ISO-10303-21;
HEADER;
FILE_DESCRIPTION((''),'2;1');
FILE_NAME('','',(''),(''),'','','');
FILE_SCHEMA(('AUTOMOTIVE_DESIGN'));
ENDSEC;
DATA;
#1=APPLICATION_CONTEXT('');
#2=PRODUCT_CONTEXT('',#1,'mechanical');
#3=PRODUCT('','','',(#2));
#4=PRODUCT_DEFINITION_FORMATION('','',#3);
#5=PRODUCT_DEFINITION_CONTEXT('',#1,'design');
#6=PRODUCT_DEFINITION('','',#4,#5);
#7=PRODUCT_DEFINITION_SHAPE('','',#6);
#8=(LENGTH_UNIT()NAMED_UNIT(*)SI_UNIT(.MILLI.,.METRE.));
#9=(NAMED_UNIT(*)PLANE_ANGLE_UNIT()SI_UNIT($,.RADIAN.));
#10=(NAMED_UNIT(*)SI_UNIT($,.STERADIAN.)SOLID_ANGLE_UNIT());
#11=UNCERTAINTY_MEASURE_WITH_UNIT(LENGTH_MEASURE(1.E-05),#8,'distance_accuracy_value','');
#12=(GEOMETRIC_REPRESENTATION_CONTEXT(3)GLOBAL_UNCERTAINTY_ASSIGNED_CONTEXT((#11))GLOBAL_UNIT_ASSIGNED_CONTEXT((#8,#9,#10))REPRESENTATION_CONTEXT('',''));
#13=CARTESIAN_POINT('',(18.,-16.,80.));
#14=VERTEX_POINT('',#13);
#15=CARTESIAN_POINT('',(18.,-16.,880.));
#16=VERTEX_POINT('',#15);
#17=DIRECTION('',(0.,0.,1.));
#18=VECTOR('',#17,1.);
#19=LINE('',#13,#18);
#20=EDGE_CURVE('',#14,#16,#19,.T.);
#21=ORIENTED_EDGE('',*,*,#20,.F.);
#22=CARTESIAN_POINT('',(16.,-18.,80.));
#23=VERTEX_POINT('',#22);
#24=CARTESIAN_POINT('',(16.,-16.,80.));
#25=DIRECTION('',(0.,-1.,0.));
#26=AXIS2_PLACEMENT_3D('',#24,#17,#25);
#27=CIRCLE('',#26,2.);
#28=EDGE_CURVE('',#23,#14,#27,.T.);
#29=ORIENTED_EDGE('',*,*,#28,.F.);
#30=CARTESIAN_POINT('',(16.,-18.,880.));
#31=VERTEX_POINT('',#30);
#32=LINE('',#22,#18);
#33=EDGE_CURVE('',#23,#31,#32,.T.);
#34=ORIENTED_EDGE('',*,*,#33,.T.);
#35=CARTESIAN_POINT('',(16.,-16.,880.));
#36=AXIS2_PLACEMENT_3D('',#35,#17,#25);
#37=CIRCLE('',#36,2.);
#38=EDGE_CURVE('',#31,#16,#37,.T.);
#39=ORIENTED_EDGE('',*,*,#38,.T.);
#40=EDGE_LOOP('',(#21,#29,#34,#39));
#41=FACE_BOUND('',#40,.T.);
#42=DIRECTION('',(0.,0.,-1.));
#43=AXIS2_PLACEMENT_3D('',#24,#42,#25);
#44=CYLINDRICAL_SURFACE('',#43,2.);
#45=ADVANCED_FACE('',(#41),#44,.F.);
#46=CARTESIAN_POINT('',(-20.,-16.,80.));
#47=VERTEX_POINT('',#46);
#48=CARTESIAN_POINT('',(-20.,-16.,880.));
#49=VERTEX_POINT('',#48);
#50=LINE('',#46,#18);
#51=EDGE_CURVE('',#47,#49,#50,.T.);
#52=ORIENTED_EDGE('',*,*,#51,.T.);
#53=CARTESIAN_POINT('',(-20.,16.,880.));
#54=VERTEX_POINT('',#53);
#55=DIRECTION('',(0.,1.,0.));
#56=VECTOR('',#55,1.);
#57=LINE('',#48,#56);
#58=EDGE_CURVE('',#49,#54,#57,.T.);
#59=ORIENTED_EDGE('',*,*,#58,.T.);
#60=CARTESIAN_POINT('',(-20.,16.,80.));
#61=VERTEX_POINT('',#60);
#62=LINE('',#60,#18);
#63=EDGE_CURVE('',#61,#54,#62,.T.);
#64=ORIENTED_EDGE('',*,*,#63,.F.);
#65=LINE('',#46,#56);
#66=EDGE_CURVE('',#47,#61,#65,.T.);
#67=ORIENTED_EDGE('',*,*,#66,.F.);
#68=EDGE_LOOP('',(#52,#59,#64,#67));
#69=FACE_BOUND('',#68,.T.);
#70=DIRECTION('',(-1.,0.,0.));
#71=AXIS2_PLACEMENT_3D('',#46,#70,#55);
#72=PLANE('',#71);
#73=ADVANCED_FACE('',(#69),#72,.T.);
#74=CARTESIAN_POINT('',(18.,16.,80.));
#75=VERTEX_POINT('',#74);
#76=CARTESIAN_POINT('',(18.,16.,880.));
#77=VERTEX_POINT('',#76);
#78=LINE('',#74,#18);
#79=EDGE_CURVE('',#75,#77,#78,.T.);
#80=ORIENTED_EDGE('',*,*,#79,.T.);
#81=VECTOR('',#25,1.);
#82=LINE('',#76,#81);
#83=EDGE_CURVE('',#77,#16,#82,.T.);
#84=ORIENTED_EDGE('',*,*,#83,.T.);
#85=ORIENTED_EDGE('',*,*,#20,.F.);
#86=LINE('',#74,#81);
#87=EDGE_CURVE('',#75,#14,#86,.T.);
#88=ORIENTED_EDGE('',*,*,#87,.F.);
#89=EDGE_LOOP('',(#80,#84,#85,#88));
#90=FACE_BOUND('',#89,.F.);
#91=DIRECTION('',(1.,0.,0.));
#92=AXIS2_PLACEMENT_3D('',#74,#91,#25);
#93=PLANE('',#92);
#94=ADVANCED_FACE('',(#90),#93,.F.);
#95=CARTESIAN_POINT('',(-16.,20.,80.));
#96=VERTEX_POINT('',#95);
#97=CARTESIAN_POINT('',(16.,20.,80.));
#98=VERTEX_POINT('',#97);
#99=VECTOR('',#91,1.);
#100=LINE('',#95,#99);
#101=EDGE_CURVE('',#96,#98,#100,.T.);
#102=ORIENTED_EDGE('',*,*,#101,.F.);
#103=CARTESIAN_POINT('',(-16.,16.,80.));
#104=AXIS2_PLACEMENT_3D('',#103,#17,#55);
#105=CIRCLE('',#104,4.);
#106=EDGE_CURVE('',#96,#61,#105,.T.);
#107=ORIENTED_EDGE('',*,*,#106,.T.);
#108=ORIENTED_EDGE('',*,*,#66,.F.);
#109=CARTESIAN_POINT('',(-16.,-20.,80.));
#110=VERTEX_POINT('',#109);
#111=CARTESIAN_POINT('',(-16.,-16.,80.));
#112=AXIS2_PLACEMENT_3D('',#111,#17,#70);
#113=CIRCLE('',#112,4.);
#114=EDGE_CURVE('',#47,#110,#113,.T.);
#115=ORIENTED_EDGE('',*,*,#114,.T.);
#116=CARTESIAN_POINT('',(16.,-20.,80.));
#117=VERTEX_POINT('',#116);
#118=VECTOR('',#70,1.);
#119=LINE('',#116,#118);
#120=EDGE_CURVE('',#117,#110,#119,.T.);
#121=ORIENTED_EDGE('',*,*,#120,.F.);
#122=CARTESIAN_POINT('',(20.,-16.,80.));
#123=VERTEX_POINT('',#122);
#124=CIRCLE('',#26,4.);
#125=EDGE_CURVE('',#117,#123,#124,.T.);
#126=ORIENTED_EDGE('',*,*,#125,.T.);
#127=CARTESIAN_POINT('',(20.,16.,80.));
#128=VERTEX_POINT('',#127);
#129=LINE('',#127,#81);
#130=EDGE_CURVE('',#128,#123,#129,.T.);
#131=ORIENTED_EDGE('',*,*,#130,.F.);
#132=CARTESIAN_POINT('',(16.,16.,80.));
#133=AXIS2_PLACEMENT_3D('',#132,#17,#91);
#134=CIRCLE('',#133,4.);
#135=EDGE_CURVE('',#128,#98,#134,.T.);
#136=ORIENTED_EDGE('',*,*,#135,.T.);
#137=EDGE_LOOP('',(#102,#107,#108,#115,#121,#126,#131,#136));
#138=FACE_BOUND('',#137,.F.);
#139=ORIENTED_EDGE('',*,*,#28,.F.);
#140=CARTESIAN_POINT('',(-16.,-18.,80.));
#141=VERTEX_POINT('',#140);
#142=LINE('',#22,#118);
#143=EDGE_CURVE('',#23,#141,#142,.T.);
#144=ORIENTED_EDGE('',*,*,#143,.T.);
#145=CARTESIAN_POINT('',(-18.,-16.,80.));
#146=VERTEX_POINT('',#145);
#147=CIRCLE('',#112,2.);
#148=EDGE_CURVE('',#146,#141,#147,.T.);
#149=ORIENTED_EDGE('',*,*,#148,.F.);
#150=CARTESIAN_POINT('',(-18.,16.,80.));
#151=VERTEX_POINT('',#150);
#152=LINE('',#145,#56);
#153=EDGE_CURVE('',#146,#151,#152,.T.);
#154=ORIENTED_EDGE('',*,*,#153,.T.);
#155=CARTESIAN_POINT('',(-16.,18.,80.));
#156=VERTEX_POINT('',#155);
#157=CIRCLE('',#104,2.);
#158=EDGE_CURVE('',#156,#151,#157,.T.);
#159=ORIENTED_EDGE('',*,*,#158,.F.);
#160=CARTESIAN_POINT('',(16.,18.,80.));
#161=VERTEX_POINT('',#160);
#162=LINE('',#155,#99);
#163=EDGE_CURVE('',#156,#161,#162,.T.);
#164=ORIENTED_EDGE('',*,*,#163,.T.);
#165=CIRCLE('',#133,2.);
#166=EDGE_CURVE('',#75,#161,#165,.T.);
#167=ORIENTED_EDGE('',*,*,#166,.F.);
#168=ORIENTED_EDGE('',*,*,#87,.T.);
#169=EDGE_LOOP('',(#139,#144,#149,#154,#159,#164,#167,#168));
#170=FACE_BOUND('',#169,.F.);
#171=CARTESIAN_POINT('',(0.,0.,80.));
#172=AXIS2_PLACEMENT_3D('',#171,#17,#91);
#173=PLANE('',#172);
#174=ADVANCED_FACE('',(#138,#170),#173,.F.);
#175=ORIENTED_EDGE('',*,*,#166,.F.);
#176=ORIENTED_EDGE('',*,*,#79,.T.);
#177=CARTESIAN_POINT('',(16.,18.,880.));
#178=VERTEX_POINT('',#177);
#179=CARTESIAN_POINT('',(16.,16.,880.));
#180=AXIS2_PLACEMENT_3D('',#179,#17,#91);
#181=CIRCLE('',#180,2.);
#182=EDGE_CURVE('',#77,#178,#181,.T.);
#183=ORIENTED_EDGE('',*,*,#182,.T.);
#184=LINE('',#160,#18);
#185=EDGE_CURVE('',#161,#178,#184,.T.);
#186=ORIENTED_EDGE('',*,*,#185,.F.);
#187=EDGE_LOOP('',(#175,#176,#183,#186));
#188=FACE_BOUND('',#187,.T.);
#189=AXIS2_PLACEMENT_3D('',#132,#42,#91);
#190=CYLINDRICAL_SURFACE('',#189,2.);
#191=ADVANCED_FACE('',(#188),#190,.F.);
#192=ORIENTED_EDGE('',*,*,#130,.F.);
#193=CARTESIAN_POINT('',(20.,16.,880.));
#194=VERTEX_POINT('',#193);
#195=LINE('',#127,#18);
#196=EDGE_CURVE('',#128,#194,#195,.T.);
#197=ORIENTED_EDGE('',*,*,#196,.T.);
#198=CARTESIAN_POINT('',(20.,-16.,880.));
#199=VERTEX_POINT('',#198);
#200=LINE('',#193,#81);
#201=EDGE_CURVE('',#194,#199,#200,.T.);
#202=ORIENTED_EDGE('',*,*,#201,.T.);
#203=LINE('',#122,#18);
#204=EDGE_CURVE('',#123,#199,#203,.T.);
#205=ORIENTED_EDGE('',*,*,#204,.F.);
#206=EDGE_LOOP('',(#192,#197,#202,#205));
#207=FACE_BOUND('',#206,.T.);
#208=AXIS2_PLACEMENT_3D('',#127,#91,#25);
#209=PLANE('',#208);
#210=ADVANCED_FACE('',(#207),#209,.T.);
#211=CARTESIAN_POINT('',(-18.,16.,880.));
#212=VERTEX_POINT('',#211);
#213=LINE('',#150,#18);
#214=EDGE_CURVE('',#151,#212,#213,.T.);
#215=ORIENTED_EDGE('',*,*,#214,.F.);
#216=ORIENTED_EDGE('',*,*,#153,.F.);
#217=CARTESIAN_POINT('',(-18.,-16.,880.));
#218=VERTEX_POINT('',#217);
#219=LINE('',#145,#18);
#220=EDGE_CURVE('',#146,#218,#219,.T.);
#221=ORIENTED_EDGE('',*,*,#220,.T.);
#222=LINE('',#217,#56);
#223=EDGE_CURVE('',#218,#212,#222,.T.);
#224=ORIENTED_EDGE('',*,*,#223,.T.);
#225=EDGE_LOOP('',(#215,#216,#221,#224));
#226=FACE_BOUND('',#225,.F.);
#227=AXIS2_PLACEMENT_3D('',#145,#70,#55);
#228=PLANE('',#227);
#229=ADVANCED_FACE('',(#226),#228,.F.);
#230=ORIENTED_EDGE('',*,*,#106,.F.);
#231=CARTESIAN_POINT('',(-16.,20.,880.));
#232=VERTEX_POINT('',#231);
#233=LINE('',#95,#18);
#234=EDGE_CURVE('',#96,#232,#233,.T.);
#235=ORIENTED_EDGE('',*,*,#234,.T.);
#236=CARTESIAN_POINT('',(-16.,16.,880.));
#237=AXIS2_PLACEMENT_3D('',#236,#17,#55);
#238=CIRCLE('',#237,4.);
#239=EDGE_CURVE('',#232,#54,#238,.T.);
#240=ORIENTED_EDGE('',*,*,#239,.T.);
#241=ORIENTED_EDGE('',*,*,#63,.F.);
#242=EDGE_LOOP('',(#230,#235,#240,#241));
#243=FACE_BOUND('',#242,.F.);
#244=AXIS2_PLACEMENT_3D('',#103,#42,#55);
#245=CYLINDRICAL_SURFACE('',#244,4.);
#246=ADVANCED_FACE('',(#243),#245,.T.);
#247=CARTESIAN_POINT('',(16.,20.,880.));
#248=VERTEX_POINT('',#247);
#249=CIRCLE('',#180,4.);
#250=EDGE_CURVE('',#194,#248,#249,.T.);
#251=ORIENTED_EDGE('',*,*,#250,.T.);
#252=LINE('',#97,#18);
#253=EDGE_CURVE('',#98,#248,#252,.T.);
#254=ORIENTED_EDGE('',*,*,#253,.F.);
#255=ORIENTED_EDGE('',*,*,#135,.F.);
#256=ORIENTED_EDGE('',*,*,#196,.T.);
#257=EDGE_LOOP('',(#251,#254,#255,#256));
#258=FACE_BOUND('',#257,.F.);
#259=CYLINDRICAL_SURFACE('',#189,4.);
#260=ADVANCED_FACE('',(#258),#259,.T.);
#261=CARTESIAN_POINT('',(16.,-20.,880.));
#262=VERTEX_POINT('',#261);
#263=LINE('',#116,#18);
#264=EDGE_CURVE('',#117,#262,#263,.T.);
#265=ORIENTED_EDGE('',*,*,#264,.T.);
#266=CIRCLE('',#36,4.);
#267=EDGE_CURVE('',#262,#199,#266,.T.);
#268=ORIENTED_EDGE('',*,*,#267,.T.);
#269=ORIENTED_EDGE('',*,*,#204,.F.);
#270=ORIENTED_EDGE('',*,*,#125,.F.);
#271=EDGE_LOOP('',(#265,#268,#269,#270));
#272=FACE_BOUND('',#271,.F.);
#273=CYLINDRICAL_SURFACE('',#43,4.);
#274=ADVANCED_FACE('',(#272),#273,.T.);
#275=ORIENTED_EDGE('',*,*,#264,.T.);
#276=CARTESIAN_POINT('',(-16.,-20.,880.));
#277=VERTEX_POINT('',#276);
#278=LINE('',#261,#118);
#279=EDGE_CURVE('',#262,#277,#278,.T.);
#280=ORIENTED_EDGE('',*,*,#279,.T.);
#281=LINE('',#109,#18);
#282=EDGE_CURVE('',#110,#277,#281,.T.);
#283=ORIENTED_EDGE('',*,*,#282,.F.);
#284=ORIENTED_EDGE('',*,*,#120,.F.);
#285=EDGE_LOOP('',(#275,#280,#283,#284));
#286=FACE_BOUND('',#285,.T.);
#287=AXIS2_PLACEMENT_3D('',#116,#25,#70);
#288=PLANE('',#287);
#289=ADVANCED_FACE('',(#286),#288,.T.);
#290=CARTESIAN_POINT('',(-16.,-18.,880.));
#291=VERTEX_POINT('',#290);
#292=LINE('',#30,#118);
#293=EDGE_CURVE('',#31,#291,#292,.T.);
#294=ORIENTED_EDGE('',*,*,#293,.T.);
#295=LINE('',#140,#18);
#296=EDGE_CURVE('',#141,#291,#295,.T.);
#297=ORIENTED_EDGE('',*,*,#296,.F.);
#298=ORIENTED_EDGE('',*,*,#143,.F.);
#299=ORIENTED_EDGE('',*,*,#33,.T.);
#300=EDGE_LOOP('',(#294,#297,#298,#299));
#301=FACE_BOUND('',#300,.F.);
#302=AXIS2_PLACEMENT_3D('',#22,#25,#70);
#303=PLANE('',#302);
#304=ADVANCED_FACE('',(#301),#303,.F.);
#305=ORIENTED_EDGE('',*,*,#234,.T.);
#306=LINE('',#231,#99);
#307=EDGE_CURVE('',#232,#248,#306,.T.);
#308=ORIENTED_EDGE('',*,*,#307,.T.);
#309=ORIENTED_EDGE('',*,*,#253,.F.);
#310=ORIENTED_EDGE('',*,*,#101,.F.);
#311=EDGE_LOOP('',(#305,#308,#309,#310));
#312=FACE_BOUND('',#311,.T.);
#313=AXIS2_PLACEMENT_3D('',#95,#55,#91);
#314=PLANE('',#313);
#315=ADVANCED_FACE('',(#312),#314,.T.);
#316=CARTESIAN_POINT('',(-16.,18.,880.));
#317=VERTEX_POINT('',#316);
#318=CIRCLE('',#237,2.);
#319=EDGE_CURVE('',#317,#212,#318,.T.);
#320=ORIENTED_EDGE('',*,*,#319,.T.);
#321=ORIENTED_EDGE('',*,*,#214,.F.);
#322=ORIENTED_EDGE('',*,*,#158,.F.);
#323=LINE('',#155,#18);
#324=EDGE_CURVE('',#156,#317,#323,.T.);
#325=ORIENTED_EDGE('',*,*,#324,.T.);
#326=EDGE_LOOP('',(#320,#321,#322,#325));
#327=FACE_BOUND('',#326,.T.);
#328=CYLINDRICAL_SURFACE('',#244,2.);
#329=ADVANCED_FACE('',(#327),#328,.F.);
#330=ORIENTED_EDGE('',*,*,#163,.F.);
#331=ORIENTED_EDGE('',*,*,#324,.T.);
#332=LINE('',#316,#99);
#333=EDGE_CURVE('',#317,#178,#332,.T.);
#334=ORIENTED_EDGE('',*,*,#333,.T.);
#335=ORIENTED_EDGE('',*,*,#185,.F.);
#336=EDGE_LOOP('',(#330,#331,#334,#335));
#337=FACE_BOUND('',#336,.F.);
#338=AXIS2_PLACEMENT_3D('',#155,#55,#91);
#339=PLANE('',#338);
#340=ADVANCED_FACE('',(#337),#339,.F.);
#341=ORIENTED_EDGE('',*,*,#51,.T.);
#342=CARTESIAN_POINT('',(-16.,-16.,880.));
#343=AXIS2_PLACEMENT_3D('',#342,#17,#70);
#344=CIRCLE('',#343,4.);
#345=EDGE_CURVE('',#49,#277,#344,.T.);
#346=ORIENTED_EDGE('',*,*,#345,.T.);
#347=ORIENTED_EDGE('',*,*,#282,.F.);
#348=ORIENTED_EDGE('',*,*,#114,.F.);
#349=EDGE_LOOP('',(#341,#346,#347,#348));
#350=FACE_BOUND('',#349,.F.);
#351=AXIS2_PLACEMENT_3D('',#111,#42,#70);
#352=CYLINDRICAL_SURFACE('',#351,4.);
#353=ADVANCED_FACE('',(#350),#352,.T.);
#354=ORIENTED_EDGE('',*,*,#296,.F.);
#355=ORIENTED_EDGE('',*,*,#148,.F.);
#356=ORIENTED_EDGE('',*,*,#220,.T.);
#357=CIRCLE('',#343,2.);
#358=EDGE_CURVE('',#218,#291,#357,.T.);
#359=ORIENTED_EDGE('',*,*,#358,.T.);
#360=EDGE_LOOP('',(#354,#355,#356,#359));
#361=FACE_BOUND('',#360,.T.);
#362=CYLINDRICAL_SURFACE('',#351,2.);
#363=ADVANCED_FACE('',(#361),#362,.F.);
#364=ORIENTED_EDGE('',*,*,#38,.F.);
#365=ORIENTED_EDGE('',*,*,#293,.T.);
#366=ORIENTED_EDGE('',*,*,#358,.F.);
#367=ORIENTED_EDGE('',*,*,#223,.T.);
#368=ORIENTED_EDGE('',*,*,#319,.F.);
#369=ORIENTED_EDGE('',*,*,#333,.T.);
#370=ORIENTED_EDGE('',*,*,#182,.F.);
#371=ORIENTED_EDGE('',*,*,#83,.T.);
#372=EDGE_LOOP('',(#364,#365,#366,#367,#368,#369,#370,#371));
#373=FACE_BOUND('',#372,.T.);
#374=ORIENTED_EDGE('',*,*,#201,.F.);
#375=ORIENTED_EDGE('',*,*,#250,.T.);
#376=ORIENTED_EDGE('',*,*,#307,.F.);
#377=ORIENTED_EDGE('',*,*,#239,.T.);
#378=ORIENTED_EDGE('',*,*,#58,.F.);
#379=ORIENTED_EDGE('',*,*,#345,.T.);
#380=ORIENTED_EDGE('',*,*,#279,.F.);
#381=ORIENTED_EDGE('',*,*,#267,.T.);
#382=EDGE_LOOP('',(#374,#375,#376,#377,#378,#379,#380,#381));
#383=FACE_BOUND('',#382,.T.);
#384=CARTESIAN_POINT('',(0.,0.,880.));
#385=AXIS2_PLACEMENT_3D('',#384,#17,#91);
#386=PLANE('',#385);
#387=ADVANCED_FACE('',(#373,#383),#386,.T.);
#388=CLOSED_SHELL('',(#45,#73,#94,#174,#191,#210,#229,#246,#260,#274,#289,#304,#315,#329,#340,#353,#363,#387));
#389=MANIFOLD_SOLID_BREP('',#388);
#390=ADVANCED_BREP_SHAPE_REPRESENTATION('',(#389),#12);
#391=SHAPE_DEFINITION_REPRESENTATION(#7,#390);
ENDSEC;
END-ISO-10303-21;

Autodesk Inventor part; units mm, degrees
ref_plane "YZ Plane" through (0, 0, 0) normal (1, 0, 0) x (0, 1, 0)
ref_plane "Start Plane" through (0, 0, 80) normal (0, 0, 1) x (1, 0, 0)
ref_plane "End Plane" through (0, 0, 880) normal (0, 0, 1) x (1, 0, 0)
sketch "Sketch" plane through (0, 0, 0) normal (0, 0, 1) x (1, 0, 0)
  line L0 (-20, -16) -> (-20, 16)
  line L1 (-16, 20) -> (16, 20)
  line L2 (20, 16) -> (20, -16)
  line L3 (16, -20) -> (-16, -20)
  arc A0 (-20, -16) -> (-16, -20) centre (-16, -16) ccw
  arc A1 (20, 16) -> (16, 20) centre (16, 16) ccw
  arc A2 (-16, 20) -> (-20, 16) centre (-16, 16) ccw
  arc A3 (16, -20) -> (20, -16) centre (16, -16) ccw
  arc A4 (-16, 18) -> (-18, 16) centre (-16, 16) ccw
  line L4 (-16, 18) -> (16, 18)
  arc A5 (18, 16) -> (16, 18) centre (16, 16) ccw
  line L5 (18, 16) -> (18, -16)
  arc A6 (16, -18) -> (18, -16) centre (16, -16) ccw
  line L6 (16, -18) -> (-16, -18)
  arc A7 (-18, -16) -> (-16, -18) centre (-16, -16) ccw
  line L7 (-18, -16) -> (-18, 16)
  line L8 (0, 29.1598) -> (0, -29.1598) construction
  line L9 (-29.1598, 0) -> (29.1598, 0) construction
  dimension "d7" = 4
  dimension "d9" = 40
  dimension "d11" = 40
  dimension "d12" = 2
  dimension "d15" = 20
  dimension "d16" = 20
extrude "Body" add sketch "Sketch" along normal up to surface (800 mm away) from surface at 80
sketch "Sketch3" plane through (0, 0, 0) normal (0, 0, 1) x (1, 0, 0)
  line L0 (0, 0) -> (10, 0)
ref_plane "Work Plane3" through (0, 0, 0) normal (0, -1, 0) x (1, 0, 0)
sketch "Sketch4" plane through (0, 0, 0) normal (0, -1, 0) x (1, 0, 0)
  line L0 (-2, 80) -> (12, 80) projected
  line L1 (-2, 880) -> (12, 880) projected
  dimension "d18" = 800
equation "\"d7\" = G_IR"
equation "\"d9\" = G_W"
equation "\"d11\" = G_H"
equation "\"d12\" = G_T"
equation "\"d15\" = 0.5 * d9"
equation "\"d16\" = 0.5 * d11"
equation "\"d3\" = G_L"
equation "\"G_W\" = 40"
equation "\"G_H\" = 40"
equation "\"G_T\" = 2"
equation "\"G_IR\" = 4"
equation "\"G_L\" = d18"
properties part number "ISO 10799-2 - 40x40x2 - 800" material "Steel, Mild"
